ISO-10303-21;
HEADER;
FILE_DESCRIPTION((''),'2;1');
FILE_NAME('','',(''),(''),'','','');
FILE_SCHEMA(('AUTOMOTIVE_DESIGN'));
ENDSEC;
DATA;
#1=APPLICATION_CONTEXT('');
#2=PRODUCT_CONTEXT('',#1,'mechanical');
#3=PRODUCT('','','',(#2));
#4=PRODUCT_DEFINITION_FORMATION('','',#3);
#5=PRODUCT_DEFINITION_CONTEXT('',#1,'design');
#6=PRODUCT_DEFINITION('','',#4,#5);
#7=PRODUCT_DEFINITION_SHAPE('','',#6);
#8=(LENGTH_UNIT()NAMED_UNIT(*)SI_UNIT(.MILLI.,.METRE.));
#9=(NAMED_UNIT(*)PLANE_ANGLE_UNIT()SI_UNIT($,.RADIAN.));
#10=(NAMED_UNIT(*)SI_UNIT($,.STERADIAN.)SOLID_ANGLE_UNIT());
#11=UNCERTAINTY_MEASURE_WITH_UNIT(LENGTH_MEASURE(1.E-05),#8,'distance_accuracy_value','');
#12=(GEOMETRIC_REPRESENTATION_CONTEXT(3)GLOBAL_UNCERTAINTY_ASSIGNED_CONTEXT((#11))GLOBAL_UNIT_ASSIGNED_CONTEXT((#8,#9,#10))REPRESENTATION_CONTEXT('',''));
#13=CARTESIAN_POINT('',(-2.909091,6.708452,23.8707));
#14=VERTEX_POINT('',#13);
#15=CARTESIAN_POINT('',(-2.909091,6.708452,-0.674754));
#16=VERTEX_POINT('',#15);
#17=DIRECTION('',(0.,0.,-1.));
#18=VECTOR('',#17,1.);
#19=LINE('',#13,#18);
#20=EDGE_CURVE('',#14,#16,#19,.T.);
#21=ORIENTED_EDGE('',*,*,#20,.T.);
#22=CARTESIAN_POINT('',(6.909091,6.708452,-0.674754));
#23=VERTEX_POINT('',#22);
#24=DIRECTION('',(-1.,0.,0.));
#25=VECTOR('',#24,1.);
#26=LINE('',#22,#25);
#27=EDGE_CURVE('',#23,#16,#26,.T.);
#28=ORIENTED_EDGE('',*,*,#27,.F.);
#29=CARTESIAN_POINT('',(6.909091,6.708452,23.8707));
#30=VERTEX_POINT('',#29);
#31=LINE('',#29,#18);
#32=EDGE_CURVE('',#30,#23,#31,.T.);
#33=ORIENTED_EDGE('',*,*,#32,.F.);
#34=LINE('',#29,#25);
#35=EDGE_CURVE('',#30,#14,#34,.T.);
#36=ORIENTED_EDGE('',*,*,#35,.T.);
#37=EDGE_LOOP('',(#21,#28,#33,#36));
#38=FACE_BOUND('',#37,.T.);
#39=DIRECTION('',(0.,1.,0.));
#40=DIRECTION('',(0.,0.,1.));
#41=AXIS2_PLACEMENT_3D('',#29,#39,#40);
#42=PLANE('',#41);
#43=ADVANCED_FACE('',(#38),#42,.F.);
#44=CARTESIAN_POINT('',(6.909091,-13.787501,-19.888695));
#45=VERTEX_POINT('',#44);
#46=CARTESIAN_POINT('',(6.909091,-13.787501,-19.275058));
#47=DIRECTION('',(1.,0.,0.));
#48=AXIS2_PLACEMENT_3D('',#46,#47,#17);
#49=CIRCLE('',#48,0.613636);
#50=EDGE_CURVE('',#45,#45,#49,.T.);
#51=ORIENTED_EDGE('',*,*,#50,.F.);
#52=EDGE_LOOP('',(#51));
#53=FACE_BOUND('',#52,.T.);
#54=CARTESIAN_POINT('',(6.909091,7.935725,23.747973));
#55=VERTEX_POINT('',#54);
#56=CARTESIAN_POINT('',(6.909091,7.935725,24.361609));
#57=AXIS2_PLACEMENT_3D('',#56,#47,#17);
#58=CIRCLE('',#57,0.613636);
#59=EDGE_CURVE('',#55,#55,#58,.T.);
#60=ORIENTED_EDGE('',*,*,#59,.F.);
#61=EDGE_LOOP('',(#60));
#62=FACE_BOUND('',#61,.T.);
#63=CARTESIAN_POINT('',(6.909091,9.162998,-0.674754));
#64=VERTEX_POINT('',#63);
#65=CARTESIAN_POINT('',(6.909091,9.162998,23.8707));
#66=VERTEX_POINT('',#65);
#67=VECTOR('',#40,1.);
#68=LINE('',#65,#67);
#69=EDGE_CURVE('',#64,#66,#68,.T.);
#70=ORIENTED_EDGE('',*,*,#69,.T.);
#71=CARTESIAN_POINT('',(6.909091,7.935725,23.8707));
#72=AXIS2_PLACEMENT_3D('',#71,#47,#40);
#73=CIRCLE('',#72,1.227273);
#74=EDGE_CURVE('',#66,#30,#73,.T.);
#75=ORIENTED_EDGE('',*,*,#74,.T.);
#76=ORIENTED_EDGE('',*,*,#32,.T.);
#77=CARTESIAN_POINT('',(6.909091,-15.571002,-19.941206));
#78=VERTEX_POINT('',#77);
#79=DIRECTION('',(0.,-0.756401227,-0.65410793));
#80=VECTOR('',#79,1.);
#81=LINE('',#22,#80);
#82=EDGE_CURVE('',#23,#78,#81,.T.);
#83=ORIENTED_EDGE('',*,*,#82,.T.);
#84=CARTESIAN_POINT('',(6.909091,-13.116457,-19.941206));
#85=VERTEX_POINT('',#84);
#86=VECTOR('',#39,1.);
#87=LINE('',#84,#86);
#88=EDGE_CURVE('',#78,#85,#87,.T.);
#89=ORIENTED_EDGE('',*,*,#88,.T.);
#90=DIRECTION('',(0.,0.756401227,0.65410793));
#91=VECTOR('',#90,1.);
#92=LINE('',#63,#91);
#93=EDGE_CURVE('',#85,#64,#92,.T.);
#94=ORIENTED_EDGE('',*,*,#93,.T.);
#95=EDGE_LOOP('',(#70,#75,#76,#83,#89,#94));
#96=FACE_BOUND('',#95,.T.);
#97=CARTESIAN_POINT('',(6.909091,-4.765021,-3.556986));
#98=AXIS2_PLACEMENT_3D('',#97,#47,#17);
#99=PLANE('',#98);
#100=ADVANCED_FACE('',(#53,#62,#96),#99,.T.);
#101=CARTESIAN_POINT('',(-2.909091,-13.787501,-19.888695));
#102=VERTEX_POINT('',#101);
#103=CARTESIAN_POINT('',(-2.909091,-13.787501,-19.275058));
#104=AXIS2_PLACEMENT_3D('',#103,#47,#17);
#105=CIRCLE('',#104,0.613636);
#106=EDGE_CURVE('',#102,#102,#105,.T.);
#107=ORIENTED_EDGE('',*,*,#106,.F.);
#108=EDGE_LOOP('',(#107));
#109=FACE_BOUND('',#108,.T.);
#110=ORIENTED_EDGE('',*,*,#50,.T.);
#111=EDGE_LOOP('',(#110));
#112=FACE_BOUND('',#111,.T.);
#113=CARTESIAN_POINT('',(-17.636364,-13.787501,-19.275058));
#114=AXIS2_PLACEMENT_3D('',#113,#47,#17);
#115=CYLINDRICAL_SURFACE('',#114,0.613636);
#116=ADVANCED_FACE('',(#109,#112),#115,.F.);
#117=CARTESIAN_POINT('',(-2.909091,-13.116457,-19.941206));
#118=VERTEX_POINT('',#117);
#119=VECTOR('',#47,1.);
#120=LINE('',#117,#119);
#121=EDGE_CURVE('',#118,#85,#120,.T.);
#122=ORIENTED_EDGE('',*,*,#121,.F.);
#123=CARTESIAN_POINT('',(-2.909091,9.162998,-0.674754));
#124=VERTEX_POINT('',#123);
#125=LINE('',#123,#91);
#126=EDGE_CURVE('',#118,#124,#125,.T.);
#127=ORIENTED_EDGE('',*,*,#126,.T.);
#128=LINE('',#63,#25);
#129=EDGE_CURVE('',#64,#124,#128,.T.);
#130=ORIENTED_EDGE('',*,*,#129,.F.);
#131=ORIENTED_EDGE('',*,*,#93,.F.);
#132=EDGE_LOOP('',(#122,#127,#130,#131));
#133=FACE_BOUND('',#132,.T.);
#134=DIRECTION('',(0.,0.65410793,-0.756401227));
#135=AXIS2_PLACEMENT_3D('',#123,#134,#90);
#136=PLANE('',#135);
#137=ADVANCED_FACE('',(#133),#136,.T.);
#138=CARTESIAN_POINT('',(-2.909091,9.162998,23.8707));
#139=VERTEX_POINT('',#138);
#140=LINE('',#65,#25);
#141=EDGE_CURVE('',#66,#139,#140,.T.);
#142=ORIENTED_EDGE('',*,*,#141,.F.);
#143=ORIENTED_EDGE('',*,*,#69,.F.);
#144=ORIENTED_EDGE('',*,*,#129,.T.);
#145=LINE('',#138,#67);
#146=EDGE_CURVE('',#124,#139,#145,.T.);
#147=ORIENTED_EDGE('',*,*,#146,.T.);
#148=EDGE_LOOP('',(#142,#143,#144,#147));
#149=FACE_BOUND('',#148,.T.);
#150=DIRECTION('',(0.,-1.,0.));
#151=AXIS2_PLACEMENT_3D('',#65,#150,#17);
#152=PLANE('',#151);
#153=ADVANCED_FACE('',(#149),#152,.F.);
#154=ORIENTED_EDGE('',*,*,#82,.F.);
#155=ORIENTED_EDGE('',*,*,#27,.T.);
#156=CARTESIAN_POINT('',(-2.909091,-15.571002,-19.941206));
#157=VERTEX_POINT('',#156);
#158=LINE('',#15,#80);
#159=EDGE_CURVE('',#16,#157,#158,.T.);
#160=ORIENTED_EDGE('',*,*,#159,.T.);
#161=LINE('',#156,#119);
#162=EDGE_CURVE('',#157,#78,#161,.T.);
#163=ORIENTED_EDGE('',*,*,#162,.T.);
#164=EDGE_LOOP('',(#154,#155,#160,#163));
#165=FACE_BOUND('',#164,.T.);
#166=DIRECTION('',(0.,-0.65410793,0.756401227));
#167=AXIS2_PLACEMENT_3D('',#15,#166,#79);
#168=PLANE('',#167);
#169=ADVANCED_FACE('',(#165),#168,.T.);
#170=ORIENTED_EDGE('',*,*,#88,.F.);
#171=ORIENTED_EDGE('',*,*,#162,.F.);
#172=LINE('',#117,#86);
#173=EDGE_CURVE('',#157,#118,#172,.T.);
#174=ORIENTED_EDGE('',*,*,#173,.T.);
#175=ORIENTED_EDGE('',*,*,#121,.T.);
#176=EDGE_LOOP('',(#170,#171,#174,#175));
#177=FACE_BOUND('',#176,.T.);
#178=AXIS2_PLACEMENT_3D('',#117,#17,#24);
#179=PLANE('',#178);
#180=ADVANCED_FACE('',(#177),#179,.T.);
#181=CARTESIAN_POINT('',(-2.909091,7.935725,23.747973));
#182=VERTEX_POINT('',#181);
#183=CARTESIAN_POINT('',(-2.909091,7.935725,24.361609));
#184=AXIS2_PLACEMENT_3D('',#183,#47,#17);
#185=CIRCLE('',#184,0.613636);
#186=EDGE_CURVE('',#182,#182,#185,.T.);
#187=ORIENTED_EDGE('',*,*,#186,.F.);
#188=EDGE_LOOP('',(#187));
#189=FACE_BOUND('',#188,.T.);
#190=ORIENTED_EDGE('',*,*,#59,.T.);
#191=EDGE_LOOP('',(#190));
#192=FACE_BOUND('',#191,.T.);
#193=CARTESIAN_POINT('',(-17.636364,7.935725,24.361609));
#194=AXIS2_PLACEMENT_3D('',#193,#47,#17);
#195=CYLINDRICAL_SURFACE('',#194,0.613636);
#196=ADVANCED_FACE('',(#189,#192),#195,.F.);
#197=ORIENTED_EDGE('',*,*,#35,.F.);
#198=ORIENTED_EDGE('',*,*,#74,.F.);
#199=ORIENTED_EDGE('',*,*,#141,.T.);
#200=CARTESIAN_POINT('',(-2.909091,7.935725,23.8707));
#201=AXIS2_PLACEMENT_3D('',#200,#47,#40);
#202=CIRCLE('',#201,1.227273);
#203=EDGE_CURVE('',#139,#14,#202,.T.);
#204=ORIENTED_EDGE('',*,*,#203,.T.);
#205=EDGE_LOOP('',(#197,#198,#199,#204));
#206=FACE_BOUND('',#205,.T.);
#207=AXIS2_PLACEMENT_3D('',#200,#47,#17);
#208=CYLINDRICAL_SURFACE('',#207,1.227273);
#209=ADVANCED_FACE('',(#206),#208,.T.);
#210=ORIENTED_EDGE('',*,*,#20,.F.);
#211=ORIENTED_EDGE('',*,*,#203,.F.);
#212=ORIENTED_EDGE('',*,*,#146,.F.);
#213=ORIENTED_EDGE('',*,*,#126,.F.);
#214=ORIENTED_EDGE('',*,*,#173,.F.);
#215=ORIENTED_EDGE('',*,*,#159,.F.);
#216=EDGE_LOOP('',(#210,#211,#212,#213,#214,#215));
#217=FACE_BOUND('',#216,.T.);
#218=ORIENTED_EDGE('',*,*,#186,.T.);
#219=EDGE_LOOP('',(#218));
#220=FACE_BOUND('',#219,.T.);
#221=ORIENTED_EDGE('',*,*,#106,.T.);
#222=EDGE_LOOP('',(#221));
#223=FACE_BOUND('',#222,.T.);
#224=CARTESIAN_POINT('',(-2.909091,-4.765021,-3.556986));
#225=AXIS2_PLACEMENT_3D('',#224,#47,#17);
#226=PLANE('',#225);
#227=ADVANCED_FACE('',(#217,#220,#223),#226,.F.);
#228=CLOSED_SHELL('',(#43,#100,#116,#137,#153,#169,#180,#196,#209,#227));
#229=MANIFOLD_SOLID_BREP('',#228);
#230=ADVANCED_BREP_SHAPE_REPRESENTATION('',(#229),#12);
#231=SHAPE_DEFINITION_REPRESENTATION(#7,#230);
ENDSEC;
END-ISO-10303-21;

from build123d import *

# Parameters (mm, degrees)
SKETCH_1_W          = 10
SKETCH_1_H          = 1
EXTRUDE_1_DEPTH     = 4
EXTRUDE_2_DEPTH     = 4
EXTRUDE_4_DEPTH     = 4
SKETCH_8_R          = 0.25
CUT_EXTRUDE_1_DEPTH = 10
SKETCH_9_R          = 0.25
CUT_EXTRUDE_2_DEPTH = 10
SCALE_1_SCALE       = 2.454545455


with BuildPart() as part:
    # 草图1 → 凸台-拉伸1 (new body)
    with BuildSketch(Plane(origin=(0, 0, 0), x_dir=(0, 0, -1), z_dir=(1, 0, 0))):
        with Locations((-6.174242424, 5.174378087)):
            Rectangle(SKETCH_1_W, SKETCH_1_H)
    extrude(amount=EXTRUDE_1_DEPTH)

    # 草图4 → 凸台-拉伸2 (add)
    with BuildSketch(Plane(origin=(4, 0, 0), x_dir=(0, 0, -1), z_dir=(1, 0, 0))):
        Polygon((-1.174242424, 5.674378087), (-1.174242424, 4.674378087), (6.675052733, -4.402436637), (6.675052733, -3.402436637), align=None)
    extrude(amount=-EXTRUDE_2_DEPTH)

    # 草图7 → 凸台-拉伸4 (add)
    with BuildSketch(Plane(origin=(4, 0, 0), x_dir=(0, 0, -1), z_dir=(1, 0, 0))):
        with BuildLine():
            Line((-11.174242424, 5.674378087), (-11.174242424, 4.674378087))
            ThreePointArc((-11.174242424, 4.674378087), (-11.674242424, 5.174378087), (-11.174242424, 5.674378087))
        make_face()
    extrude(amount=-EXTRUDE_4_DEPTH)

    # 草图8 → 切除-拉伸1 (cut)
    with BuildSketch(Plane(origin=(4, 0, 0), x_dir=(0, 0, -1), z_dir=(1, 0, 0))):
        with Locations((-11.374242424, 5.174378087)):
            Circle(SKETCH_8_R)
    extrude(amount=-CUT_EXTRUDE_1_DEPTH, mode=Mode.SUBTRACT)

    # 草图9 → 切除-拉伸2 (cut)
    with BuildSketch(Plane(origin=(4, 0, 0), x_dir=(0, 0, -1), z_dir=(1, 0, 0))):
        with Locations((6.403659304, -3.675825169)):
            Circle(SKETCH_9_R)
    extrude(amount=-CUT_EXTRUDE_2_DEPTH, mode=Mode.SUBTRACT)


with BuildPart() as part_1:
    # 缩放比例1: scaled about (2, 3.275952111, 2.445427585)
    add(part.part.scale(SCALE_1_SCALE).moved(Location((-2.909090909, -4.765021252, -3.556985578))))


solid = part_1.part
